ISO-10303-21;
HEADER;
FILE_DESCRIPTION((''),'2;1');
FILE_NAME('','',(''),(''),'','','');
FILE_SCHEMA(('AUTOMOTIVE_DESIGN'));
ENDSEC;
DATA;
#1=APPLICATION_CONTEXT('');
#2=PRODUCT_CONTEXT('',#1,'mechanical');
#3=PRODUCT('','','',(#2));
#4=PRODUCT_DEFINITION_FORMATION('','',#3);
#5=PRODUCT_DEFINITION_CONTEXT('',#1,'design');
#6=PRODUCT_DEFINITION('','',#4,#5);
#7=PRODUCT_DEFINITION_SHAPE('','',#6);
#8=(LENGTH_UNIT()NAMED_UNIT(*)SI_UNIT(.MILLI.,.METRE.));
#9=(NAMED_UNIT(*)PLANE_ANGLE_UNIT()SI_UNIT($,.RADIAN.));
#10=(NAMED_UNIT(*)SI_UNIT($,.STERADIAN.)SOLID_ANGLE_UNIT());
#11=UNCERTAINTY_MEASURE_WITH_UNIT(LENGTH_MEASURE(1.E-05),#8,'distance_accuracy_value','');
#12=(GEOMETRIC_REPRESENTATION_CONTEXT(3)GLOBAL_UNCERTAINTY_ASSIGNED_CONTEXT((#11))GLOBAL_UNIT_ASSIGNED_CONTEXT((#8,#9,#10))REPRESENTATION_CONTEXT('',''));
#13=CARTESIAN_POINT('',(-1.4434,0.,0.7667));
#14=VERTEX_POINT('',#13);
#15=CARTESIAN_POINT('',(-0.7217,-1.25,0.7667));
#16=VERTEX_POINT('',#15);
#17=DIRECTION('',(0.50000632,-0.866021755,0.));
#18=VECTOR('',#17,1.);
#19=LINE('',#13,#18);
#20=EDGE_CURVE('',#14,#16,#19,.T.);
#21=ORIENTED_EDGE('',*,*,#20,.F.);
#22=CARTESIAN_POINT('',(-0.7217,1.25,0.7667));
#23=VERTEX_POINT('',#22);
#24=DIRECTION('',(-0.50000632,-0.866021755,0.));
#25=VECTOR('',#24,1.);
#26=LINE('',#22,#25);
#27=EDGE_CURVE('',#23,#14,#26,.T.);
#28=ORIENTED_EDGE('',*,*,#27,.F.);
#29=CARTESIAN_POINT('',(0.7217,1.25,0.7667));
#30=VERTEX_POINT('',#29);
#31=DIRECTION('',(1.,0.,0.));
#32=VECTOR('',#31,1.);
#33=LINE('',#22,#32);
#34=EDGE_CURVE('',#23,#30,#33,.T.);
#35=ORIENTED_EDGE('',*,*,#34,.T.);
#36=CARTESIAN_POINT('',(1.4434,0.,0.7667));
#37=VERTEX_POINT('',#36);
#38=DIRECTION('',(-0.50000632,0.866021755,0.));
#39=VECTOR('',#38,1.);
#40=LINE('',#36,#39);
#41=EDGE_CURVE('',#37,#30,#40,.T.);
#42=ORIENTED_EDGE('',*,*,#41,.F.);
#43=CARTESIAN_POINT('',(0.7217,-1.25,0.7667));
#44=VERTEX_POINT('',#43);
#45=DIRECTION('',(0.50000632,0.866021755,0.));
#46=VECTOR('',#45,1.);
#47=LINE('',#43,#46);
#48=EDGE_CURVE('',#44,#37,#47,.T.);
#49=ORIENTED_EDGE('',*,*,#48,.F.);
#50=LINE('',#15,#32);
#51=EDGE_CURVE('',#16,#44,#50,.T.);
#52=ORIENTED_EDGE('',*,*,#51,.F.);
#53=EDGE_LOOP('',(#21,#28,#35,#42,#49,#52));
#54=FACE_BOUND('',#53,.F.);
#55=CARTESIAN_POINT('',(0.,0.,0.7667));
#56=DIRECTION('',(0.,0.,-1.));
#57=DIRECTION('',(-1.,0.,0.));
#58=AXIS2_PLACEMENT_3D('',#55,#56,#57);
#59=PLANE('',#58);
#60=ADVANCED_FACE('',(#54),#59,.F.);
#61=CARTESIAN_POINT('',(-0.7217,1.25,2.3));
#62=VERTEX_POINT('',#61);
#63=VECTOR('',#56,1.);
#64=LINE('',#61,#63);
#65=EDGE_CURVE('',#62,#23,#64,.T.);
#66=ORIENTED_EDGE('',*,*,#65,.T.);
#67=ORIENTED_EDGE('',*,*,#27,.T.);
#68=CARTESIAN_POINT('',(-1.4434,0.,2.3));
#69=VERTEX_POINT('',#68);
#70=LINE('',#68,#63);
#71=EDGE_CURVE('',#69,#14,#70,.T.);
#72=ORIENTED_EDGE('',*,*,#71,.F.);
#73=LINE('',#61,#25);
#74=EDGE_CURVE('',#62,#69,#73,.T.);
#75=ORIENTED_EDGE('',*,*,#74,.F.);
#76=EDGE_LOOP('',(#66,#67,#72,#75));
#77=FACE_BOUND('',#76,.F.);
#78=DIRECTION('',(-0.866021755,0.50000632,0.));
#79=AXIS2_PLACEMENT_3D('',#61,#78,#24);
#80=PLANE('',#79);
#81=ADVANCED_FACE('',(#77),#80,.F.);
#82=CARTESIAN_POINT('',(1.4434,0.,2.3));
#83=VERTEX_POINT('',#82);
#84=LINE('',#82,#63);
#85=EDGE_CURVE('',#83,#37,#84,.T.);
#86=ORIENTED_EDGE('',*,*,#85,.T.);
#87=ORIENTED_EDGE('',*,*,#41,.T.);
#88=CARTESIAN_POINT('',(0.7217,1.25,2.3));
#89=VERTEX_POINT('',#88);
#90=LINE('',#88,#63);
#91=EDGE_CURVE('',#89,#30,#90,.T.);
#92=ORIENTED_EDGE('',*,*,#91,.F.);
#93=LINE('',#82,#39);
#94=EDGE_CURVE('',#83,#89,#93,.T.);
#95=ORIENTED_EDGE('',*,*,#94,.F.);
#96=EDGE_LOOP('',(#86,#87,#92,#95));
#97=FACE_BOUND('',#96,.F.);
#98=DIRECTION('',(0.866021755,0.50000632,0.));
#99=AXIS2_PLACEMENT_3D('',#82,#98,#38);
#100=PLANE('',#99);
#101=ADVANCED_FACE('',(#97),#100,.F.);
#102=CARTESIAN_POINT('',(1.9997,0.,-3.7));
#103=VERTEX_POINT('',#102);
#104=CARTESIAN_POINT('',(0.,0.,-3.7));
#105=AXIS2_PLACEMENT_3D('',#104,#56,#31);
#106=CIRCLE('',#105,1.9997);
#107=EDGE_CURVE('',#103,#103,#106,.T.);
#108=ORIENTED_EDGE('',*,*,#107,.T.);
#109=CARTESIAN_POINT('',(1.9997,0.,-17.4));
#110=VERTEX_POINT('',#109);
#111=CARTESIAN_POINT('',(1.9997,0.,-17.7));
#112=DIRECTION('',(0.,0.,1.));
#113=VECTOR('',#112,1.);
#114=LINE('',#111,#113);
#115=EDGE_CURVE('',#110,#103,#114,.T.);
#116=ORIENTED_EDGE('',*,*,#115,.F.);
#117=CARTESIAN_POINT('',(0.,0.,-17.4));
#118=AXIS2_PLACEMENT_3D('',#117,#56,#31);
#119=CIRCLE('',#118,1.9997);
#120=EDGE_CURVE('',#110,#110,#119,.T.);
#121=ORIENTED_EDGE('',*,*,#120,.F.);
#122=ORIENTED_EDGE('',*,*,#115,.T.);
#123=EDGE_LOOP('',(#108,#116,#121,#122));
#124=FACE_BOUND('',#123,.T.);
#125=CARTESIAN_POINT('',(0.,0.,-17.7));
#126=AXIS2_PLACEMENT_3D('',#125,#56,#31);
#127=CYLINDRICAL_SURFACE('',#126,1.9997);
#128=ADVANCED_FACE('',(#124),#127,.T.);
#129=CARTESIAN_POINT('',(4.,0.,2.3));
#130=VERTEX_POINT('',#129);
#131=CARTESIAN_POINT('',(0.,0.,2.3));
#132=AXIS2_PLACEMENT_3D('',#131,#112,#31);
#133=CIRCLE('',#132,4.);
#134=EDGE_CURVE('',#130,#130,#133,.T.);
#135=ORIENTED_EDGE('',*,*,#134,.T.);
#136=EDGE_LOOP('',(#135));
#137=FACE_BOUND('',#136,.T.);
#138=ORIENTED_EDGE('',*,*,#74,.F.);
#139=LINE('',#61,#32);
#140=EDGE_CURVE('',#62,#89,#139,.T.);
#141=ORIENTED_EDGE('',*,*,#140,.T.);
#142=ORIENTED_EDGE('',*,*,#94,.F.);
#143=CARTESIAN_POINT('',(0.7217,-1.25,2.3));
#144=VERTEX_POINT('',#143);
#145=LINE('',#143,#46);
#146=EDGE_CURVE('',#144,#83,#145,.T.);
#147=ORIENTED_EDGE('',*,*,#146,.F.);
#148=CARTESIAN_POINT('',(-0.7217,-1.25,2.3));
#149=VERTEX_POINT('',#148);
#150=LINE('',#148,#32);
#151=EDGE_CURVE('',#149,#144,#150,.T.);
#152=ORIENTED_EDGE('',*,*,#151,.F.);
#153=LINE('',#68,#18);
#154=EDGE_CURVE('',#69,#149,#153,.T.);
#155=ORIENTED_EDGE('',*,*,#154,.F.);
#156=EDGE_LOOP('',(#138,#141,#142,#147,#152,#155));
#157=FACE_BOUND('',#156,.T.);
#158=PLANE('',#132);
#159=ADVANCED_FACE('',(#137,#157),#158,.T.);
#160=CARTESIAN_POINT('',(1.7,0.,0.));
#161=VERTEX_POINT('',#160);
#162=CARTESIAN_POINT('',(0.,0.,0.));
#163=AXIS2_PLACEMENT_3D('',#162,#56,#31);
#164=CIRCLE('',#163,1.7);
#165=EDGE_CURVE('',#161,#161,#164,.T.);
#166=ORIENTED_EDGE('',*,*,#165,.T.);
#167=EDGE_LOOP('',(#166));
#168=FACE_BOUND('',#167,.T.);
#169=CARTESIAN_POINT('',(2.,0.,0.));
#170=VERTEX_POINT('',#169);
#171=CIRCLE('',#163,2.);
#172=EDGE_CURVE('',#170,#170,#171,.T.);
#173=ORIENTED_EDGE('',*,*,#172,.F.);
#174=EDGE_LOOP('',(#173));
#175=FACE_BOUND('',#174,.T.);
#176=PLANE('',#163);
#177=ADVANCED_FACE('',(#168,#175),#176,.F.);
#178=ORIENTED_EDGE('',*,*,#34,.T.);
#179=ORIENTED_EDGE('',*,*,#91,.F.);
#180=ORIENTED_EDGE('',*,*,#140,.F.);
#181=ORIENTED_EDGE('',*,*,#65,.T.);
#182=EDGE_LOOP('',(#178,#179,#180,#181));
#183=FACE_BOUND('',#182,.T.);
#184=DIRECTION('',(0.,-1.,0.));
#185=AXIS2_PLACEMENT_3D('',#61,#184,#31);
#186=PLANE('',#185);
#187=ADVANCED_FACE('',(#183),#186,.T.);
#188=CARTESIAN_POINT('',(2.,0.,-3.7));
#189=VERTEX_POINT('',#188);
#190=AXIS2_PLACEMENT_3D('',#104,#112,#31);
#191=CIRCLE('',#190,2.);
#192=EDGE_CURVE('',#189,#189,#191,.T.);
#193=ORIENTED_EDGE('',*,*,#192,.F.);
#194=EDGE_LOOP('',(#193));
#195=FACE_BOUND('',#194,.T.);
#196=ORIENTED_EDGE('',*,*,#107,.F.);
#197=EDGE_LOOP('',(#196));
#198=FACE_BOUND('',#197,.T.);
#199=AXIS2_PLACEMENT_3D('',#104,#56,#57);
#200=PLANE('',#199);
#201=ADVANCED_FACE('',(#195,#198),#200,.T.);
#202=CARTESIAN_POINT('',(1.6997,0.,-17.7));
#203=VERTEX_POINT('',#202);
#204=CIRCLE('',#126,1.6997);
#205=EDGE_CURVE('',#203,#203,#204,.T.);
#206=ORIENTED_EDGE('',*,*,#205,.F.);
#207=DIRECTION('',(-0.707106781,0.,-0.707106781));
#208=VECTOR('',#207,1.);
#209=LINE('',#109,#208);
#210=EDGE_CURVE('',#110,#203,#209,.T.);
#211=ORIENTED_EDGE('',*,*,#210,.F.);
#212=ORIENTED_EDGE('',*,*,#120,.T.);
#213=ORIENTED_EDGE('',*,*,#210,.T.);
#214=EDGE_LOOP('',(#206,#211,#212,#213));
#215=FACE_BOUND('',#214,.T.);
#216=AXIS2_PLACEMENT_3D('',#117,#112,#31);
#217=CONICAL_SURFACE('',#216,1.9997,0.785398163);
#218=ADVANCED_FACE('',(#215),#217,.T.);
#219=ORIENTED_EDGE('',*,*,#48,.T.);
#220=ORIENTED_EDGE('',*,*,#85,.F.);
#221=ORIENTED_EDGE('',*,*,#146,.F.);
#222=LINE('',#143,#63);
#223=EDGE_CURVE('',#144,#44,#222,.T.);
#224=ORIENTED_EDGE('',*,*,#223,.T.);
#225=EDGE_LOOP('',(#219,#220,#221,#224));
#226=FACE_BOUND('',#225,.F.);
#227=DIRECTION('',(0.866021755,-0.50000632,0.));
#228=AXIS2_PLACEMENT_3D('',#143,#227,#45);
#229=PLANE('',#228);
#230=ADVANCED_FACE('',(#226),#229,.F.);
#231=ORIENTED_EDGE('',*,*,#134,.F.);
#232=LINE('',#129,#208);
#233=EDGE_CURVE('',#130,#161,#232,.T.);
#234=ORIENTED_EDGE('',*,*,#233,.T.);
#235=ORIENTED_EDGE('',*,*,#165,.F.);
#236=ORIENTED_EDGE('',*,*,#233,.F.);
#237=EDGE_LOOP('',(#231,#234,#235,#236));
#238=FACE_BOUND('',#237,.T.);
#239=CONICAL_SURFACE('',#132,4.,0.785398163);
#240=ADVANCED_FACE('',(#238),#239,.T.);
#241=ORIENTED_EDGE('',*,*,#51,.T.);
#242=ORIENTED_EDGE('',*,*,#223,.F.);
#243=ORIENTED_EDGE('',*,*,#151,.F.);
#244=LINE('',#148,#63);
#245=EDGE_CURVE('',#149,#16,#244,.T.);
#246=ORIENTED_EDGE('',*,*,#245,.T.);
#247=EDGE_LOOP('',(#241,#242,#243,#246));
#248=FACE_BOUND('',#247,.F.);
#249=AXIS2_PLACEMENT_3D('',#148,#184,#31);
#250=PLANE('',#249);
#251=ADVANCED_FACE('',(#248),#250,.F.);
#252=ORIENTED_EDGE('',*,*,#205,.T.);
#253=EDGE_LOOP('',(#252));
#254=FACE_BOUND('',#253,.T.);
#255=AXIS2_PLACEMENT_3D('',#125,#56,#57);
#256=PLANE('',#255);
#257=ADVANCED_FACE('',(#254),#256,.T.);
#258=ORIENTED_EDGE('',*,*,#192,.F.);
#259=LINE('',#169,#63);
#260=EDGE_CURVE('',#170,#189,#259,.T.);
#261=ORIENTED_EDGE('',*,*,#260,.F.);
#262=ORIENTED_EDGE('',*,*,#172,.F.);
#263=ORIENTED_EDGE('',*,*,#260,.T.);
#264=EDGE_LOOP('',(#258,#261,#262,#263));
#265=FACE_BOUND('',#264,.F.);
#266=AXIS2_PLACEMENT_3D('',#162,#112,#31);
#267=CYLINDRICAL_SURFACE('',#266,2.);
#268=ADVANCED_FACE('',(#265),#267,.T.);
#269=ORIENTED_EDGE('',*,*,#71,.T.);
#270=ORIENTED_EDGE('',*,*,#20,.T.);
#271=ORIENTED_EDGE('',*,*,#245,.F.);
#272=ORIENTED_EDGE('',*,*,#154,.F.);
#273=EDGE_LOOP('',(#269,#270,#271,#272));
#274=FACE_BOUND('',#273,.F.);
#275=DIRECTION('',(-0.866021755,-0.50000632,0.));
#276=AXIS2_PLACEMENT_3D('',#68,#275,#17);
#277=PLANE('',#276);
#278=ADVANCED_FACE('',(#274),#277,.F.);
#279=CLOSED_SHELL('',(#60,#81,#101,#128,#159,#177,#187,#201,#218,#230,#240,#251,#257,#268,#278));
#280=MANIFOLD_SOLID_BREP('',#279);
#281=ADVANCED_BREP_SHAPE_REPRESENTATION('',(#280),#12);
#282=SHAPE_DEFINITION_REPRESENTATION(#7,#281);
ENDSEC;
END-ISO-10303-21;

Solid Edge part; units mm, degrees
sketch "Sketch1" plane through (0, 0, 0) normal (0, 0, 1) x (1, 0, 0)
  circle A0 centre (0, 0) radius 4
  dimension "D1" = 8
extrude "Protrusion1" add sketch "Sketch1" along normal blind 2.3
sketch "Sketch2" plane through (0, 0, 0) normal (0, 0, -1) x (1, 0, 0)
  circle A0 centre (0, 0) radius 2
extrude "Protrusion2" add sketch "Sketch2" along normal blind 17.7
sketch "Sketch3" plane through (0, 0, -17.7) normal (0, 0, -1) x (1, 0, 0)
  circle A0 centre (0, 0) radius 1.9997
extrude "Cutout1" cut sketch "Sketch3" against normal blind 14 flip side to cut
chamfer "Chamfer_1" distance 0.3 angle 45 1 edges at (-1.9997, 0, -17.7)
sketch "Sketch4" plane through (0, 0, 2.3) normal (0, 0, 1) x (1, 0, 0)
  line L0 (-0.7217, 1.25) -> (0.7217, 1.25)
  line L1 (1.4434, 0) -> (0.7217, 1.25)
  line L2 (0.7217, -1.25) -> (1.4434, 0)
  line L3 (-0.7217, -1.25) -> (0.7217, -1.25)
  line L4 (-1.4434, 0) -> (-0.7217, -1.25)
  line L5 (-0.7217, 1.25) -> (-1.4434, 0)
  dimension "D1" = 2.5
extrude "Cutout2" cut sketch "Sketch4" against normal blind 1.5333
sketch "Sketch5" plane through (0, 0, 0) normal (0, -1, 0) x (1, 0, 0)
  line L0 (4, 2.3) -> (1.7, 0)
  line L1 (1.7, 0) -> (4, 0)
  line L2 (4, 0) -> (4, 2.3)
revolve "RevolvedCutout1" cut sketch "Sketch5" angle 360 about axis through (0, 0, 14.0017) along (0, 0, -1)
properties part number "24104553"
